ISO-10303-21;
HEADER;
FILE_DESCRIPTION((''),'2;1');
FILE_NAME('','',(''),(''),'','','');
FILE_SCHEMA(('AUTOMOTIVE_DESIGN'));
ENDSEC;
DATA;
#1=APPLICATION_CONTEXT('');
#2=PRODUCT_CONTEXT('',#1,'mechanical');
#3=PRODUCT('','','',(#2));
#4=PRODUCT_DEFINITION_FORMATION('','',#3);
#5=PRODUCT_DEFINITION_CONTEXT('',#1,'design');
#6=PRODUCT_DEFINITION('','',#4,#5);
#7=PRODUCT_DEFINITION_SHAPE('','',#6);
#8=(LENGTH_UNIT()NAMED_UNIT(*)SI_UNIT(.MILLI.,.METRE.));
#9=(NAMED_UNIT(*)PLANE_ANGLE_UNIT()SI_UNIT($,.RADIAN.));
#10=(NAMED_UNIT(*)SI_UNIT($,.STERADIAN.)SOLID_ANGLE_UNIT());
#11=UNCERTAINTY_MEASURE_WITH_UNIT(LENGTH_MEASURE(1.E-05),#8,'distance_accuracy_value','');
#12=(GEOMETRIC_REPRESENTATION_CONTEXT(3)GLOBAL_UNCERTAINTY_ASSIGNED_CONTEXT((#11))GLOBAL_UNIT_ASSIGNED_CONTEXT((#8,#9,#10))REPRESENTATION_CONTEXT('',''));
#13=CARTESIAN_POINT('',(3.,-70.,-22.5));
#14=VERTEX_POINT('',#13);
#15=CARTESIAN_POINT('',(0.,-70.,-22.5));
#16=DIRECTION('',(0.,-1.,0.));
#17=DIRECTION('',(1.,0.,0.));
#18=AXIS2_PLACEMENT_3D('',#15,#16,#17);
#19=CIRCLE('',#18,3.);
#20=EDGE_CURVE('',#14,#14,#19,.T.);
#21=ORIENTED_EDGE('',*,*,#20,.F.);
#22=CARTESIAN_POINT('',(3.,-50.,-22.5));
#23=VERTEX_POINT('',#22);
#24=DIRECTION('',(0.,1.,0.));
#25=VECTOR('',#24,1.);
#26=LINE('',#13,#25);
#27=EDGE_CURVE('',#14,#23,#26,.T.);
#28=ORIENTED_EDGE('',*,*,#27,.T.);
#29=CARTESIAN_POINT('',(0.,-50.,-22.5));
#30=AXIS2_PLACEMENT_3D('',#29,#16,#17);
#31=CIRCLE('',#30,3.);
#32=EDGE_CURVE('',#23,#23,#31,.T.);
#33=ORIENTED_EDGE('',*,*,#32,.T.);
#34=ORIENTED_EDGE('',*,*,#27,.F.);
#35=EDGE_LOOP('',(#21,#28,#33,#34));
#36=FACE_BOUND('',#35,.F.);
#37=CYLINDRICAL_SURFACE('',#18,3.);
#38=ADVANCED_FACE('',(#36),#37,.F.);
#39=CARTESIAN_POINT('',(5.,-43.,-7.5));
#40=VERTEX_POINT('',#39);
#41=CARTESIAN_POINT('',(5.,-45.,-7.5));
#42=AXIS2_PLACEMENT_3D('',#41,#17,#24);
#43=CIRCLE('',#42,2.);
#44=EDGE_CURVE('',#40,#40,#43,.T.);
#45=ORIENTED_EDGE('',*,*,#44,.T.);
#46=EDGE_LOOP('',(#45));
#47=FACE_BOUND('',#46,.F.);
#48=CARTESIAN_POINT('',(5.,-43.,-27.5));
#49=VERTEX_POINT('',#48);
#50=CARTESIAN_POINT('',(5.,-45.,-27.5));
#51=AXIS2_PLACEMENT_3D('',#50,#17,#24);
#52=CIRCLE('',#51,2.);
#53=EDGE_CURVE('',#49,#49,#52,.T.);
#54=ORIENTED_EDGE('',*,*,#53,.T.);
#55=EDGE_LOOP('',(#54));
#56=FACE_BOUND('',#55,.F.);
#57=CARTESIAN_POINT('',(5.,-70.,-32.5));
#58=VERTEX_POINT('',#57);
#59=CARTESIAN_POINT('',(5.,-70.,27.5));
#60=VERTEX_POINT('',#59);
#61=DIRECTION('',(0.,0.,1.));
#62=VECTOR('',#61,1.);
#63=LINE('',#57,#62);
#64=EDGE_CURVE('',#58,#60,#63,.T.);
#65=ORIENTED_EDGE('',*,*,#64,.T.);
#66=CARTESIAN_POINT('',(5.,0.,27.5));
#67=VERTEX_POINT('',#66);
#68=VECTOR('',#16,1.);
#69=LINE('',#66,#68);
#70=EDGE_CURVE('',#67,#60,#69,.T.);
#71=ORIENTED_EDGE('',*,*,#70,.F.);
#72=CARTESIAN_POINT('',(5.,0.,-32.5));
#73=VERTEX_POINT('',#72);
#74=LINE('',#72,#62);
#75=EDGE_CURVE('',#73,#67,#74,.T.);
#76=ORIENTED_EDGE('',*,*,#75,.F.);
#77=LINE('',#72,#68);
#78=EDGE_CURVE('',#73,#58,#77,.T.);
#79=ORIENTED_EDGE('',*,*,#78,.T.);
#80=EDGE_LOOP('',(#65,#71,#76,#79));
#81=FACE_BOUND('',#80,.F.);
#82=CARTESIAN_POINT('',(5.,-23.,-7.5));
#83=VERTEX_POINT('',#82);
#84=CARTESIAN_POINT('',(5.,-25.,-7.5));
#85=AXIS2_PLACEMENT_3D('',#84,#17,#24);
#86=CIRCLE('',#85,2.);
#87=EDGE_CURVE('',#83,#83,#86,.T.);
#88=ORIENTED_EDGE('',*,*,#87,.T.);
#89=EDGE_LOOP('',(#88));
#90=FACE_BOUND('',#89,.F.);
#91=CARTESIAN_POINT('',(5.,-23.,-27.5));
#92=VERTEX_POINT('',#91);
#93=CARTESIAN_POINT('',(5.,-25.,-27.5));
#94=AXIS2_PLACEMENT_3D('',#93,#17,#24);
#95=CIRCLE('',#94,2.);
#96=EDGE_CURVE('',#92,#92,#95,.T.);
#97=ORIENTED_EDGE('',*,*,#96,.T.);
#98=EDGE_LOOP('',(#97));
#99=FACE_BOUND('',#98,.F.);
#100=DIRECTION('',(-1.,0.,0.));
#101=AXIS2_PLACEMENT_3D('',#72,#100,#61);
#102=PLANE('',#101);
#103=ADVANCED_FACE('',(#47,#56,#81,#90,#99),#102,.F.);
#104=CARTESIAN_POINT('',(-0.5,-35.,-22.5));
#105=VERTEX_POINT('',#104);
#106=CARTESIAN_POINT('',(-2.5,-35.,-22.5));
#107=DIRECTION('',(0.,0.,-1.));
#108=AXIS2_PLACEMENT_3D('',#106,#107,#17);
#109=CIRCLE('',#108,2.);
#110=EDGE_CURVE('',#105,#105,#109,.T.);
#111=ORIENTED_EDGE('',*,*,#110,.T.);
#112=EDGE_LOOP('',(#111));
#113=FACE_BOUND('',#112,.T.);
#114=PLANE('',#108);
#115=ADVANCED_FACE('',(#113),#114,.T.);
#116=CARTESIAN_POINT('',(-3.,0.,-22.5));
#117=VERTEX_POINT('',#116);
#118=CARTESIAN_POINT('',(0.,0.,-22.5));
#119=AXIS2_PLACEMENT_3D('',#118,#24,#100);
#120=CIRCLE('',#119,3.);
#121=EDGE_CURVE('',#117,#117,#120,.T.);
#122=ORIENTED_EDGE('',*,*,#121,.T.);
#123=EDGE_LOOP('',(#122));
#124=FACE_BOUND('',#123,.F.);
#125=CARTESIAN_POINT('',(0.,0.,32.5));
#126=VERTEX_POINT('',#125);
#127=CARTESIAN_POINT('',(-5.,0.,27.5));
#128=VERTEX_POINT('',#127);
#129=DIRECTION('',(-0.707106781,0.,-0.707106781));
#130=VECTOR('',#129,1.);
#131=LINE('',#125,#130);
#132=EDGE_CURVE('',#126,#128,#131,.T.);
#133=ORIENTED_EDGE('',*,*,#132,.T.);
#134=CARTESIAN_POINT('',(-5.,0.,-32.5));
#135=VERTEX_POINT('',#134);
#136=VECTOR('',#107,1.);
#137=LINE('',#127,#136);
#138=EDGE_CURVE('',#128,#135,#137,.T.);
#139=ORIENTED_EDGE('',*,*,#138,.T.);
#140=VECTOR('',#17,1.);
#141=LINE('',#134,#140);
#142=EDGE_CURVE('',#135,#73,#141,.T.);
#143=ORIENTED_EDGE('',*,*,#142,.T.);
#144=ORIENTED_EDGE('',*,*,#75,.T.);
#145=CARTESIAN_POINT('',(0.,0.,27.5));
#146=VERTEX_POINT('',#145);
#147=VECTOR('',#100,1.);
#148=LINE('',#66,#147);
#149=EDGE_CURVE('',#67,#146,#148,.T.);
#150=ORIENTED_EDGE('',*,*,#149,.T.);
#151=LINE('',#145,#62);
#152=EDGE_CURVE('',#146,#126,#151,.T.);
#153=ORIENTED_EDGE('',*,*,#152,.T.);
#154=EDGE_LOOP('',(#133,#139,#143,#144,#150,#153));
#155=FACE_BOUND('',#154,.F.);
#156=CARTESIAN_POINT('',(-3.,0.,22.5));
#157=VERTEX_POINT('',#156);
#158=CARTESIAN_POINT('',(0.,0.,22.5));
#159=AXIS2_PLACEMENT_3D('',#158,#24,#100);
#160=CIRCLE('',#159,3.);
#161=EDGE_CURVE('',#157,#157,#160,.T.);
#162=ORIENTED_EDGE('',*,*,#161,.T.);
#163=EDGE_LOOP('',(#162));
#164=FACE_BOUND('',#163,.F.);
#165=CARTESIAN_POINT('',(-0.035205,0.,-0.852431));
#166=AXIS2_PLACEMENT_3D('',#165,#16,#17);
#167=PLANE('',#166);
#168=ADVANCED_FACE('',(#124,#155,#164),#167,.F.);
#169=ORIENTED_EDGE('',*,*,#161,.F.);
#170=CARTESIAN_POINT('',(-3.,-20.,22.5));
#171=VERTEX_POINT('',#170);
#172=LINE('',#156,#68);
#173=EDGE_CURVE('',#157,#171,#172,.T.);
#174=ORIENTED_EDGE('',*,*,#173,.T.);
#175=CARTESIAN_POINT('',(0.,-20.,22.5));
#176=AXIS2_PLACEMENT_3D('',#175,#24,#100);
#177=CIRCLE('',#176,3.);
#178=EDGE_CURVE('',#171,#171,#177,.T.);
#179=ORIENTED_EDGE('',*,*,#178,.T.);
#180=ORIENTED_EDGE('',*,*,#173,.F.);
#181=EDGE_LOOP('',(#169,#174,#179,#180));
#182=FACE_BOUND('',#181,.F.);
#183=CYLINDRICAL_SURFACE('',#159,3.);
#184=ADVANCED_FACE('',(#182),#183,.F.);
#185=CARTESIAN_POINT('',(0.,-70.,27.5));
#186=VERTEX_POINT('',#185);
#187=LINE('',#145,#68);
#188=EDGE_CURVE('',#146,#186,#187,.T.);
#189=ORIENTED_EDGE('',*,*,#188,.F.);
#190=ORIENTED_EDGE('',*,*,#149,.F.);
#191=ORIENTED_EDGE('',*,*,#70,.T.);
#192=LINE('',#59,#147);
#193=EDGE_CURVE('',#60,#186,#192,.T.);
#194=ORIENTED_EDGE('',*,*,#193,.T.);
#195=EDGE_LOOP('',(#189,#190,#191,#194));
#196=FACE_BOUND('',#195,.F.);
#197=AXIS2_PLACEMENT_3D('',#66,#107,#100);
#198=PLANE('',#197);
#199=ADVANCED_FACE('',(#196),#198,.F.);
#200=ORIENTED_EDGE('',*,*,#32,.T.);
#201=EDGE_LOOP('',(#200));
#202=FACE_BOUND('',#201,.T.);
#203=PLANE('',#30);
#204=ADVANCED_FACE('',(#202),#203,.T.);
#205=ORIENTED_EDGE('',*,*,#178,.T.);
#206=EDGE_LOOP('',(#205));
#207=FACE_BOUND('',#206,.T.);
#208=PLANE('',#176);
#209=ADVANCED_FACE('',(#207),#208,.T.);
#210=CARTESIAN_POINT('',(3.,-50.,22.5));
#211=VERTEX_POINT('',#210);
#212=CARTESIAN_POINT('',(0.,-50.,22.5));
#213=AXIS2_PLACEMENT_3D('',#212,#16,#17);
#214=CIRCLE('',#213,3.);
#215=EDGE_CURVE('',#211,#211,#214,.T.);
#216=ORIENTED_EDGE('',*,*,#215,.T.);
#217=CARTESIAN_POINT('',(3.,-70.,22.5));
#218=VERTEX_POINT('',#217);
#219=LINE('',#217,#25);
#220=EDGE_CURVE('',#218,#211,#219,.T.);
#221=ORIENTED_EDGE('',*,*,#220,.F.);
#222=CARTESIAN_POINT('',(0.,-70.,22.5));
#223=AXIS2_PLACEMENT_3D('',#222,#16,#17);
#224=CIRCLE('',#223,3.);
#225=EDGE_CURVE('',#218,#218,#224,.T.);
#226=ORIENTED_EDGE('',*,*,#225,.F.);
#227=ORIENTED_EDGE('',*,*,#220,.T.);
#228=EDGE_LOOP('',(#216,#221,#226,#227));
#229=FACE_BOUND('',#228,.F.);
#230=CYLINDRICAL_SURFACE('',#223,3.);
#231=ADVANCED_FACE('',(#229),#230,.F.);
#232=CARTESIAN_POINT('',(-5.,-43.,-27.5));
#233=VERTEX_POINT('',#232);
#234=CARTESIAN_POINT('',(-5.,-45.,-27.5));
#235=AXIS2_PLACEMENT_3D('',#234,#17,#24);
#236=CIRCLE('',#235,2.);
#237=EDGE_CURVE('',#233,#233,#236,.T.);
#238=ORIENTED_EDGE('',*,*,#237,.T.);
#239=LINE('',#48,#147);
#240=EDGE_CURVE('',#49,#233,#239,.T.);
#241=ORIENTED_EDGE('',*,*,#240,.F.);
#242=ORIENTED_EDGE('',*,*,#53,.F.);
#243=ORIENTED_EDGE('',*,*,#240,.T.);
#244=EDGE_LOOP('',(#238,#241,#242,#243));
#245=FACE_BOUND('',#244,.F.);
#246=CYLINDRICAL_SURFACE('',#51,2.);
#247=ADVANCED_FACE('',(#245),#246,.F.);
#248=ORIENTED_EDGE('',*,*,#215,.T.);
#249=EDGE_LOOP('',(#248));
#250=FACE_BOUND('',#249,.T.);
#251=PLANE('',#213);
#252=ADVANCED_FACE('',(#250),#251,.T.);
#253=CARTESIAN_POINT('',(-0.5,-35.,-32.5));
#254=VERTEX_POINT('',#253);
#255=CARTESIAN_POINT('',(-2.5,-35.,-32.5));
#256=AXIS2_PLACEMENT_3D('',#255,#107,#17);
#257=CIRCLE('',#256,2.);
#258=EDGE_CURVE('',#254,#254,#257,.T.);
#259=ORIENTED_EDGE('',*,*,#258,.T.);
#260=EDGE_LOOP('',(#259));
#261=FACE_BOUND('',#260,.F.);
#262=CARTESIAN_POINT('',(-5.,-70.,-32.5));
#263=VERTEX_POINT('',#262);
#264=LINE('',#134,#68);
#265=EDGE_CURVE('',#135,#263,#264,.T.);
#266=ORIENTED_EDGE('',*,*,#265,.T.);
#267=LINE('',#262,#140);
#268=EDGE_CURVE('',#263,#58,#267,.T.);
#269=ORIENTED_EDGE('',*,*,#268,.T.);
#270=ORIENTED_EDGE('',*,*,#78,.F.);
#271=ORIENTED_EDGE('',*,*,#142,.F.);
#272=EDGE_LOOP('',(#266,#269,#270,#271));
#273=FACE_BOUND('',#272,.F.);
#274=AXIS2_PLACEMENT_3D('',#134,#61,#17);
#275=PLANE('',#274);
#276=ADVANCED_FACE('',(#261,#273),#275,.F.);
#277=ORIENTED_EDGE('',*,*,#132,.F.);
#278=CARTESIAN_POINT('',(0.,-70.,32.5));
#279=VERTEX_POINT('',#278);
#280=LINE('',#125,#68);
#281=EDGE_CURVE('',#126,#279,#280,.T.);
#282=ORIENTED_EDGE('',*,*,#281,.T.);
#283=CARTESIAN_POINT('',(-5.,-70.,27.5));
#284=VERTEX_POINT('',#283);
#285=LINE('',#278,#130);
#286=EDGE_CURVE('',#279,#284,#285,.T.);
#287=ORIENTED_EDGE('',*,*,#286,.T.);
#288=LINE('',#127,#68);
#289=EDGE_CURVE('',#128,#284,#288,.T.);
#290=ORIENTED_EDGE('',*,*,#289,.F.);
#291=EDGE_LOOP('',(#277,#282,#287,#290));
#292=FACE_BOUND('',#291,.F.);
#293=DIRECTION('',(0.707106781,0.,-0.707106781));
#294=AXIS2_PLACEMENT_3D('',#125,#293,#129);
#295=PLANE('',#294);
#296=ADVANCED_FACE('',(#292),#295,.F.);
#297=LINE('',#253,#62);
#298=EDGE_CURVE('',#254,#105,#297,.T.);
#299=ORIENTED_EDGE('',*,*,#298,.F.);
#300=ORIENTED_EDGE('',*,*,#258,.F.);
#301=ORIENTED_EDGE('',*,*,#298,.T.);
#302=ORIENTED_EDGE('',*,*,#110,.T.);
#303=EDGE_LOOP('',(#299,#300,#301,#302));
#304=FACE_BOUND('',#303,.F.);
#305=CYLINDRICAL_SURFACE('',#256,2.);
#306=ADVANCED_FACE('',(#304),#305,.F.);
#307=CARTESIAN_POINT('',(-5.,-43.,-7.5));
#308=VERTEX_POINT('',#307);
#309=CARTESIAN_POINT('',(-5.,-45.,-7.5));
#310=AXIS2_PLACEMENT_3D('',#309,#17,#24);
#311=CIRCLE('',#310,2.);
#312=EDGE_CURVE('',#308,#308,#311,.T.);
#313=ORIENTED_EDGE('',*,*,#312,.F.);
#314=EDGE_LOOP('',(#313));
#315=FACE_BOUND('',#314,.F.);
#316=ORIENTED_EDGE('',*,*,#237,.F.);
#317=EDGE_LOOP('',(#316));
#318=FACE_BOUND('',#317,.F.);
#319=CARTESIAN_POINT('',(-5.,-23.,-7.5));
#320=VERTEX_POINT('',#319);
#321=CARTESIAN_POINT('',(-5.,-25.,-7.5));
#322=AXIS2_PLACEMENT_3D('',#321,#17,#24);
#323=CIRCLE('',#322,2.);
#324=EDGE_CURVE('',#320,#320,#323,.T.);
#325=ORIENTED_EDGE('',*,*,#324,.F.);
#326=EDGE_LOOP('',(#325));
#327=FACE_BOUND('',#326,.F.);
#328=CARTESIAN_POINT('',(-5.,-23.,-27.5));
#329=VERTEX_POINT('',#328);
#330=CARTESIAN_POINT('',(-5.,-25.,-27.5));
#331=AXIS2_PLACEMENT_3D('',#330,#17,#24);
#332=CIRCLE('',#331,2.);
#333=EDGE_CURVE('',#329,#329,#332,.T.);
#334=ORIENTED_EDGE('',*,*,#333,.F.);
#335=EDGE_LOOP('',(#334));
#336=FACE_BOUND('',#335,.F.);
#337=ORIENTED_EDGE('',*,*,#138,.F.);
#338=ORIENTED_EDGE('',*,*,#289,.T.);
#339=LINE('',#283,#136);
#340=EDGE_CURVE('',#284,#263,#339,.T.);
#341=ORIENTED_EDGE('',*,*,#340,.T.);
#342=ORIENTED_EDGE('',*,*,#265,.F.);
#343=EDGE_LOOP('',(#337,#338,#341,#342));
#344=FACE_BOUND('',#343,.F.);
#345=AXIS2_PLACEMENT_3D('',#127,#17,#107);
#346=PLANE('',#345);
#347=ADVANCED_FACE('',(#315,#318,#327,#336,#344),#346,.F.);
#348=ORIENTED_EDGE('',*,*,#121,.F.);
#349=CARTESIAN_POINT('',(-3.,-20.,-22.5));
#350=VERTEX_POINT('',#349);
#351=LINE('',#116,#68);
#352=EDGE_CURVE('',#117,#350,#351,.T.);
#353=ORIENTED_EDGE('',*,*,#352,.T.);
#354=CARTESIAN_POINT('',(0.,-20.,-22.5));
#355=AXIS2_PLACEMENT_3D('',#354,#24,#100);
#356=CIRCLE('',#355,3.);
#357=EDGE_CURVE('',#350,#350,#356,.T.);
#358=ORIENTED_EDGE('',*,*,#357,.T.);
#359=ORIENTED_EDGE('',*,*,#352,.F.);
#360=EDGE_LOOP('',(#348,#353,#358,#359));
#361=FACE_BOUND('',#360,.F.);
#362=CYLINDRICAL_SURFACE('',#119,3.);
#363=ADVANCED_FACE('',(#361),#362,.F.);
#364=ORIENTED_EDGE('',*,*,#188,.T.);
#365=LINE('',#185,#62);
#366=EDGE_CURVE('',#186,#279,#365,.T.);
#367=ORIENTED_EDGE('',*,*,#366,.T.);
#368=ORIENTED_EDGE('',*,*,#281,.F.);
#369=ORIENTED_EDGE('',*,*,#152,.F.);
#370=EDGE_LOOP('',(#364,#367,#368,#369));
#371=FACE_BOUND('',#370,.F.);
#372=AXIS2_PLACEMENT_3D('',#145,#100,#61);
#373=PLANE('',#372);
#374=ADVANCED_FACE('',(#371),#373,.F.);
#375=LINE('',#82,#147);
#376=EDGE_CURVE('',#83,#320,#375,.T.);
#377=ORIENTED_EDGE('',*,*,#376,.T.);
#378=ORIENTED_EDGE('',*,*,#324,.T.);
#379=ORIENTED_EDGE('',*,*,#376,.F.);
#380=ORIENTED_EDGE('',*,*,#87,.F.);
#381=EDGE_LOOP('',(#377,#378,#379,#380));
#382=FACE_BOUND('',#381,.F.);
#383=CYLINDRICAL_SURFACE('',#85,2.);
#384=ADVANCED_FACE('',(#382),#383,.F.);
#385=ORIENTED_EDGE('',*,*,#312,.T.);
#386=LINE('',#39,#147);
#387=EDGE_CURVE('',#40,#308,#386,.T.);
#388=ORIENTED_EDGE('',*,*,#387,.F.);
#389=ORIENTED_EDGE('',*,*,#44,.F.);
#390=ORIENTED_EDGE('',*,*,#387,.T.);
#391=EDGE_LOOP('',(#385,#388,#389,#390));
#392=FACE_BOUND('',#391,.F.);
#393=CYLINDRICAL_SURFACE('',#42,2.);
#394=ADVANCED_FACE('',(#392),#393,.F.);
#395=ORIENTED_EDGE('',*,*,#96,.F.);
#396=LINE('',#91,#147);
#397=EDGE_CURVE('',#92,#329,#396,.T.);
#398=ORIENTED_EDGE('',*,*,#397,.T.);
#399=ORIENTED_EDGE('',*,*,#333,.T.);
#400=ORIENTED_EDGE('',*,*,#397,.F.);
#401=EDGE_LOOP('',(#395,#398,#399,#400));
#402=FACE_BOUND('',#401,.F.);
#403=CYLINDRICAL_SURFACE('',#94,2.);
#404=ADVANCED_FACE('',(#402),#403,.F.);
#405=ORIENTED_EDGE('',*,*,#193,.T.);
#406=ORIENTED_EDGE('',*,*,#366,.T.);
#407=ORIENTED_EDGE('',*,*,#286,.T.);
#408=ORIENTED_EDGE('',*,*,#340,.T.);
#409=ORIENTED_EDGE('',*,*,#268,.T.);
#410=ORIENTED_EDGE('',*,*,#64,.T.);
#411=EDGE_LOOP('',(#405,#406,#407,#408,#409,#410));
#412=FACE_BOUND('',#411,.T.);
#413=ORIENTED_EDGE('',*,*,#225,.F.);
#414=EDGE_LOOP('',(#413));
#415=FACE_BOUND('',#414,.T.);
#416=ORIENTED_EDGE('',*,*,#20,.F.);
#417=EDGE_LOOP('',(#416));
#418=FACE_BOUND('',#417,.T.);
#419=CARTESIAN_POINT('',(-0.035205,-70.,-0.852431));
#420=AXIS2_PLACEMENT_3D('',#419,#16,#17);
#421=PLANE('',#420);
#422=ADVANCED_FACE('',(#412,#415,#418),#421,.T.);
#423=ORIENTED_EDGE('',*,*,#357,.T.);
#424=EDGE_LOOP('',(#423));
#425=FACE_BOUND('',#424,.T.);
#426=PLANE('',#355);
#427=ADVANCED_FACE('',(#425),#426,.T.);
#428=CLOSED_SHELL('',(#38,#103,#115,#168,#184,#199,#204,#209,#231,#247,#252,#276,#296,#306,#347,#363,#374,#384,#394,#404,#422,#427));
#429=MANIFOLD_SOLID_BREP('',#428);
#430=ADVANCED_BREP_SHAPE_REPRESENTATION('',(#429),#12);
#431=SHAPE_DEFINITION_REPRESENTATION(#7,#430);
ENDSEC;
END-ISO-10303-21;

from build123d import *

# Parameters (mm, degrees)
F1_DEPTH  = 70
F3_R      = 2
F4_DEPTH  = 25
F6_R      = 3
F7_DEPTH  = 20
F8_R      = 3
F9_DEPTH  = 20
F10_R     = 3
F11_DEPTH = 20
F12_R     = 3
F13_DEPTH = 20
F2_R      = 2
F14_DEPTH = 10
F15_DEPTH = 25


with BuildPart() as f1:
    # F0 (on Front) → F1 (new body)
    with BuildSketch(Plane.XZ):
        Polygon((-5, 27.5), (-5, -32.5), (5, -32.5), (5, 27.5), (0, 27.5), (0, 32.5), align=None)
    extrude(amount=F1_DEPTH)

    # F3 (on face) → F4 (cut)
    with BuildSketch(Plane.YZ.offset(5)):
        with Locations((-45, -27.5)):
            Circle(F3_R)
        with Locations((-45, -7.5)):
            Circle(F3_R)
        with Locations((-25, -7.5)):
            Circle(F3_R)
        with Locations((-25, -27.5)):
            Circle(F3_R)
    extrude(amount=-F4_DEPTH, mode=Mode.SUBTRACT)

    # F6 (on face) → F7 (cut)
    with BuildSketch(Plane(origin=(0, 0, 0), x_dir=(-1, 0, 0), z_dir=(0, 1, 0))):
        with Locations((0, -22.5)):
            Circle(F6_R)
    extrude(amount=-F7_DEPTH, mode=Mode.SUBTRACT)

    # F8 (on face) → F9 (cut)
    with BuildSketch(Plane.XZ.offset(70)):
        with Locations((0, 22.5)):
            Circle(F8_R)
    extrude(amount=-F9_DEPTH, mode=Mode.SUBTRACT)

    # F10 (on face) → F11 (cut)
    with BuildSketch(Plane.XZ.offset(70)):
        with Locations((0, -22.5)):
            Circle(F10_R)
    extrude(amount=-F11_DEPTH, mode=Mode.SUBTRACT)

    # F12 (on face) → F13 (cut)
    with BuildSketch(Plane(origin=(0, 0, 0), x_dir=(-1, 0, 0), z_dir=(0, 1, 0))):
        with Locations((0, 22.5)):
            Circle(F12_R)
    extrude(amount=-F13_DEPTH, mode=Mode.SUBTRACT)

    # F2 (on face) → F14 (cut)
    with BuildSketch(Plane(origin=(0, 0, -32.5), x_dir=(1, 0, 0), z_dir=(0, 0, -1))):
        with Locations((-2.5, 35)):
            Circle(F2_R)
    extrude(amount=-F14_DEPTH, mode=Mode.SUBTRACT)

    # F3 (on face) → F15 (cut)
    with BuildSketch(Plane.YZ.offset(5)):
        with Locations((-45, -27.5)):
            Circle(F3_R)
        with Locations((-45, -7.5)):
            Circle(F3_R)
        with Locations((-25, -7.5)):
            Circle(F3_R)
        with Locations((-25, -27.5)):
            Circle(F3_R)
    extrude(amount=-F15_DEPTH, mode=Mode.SUBTRACT)


solid = f1.part
